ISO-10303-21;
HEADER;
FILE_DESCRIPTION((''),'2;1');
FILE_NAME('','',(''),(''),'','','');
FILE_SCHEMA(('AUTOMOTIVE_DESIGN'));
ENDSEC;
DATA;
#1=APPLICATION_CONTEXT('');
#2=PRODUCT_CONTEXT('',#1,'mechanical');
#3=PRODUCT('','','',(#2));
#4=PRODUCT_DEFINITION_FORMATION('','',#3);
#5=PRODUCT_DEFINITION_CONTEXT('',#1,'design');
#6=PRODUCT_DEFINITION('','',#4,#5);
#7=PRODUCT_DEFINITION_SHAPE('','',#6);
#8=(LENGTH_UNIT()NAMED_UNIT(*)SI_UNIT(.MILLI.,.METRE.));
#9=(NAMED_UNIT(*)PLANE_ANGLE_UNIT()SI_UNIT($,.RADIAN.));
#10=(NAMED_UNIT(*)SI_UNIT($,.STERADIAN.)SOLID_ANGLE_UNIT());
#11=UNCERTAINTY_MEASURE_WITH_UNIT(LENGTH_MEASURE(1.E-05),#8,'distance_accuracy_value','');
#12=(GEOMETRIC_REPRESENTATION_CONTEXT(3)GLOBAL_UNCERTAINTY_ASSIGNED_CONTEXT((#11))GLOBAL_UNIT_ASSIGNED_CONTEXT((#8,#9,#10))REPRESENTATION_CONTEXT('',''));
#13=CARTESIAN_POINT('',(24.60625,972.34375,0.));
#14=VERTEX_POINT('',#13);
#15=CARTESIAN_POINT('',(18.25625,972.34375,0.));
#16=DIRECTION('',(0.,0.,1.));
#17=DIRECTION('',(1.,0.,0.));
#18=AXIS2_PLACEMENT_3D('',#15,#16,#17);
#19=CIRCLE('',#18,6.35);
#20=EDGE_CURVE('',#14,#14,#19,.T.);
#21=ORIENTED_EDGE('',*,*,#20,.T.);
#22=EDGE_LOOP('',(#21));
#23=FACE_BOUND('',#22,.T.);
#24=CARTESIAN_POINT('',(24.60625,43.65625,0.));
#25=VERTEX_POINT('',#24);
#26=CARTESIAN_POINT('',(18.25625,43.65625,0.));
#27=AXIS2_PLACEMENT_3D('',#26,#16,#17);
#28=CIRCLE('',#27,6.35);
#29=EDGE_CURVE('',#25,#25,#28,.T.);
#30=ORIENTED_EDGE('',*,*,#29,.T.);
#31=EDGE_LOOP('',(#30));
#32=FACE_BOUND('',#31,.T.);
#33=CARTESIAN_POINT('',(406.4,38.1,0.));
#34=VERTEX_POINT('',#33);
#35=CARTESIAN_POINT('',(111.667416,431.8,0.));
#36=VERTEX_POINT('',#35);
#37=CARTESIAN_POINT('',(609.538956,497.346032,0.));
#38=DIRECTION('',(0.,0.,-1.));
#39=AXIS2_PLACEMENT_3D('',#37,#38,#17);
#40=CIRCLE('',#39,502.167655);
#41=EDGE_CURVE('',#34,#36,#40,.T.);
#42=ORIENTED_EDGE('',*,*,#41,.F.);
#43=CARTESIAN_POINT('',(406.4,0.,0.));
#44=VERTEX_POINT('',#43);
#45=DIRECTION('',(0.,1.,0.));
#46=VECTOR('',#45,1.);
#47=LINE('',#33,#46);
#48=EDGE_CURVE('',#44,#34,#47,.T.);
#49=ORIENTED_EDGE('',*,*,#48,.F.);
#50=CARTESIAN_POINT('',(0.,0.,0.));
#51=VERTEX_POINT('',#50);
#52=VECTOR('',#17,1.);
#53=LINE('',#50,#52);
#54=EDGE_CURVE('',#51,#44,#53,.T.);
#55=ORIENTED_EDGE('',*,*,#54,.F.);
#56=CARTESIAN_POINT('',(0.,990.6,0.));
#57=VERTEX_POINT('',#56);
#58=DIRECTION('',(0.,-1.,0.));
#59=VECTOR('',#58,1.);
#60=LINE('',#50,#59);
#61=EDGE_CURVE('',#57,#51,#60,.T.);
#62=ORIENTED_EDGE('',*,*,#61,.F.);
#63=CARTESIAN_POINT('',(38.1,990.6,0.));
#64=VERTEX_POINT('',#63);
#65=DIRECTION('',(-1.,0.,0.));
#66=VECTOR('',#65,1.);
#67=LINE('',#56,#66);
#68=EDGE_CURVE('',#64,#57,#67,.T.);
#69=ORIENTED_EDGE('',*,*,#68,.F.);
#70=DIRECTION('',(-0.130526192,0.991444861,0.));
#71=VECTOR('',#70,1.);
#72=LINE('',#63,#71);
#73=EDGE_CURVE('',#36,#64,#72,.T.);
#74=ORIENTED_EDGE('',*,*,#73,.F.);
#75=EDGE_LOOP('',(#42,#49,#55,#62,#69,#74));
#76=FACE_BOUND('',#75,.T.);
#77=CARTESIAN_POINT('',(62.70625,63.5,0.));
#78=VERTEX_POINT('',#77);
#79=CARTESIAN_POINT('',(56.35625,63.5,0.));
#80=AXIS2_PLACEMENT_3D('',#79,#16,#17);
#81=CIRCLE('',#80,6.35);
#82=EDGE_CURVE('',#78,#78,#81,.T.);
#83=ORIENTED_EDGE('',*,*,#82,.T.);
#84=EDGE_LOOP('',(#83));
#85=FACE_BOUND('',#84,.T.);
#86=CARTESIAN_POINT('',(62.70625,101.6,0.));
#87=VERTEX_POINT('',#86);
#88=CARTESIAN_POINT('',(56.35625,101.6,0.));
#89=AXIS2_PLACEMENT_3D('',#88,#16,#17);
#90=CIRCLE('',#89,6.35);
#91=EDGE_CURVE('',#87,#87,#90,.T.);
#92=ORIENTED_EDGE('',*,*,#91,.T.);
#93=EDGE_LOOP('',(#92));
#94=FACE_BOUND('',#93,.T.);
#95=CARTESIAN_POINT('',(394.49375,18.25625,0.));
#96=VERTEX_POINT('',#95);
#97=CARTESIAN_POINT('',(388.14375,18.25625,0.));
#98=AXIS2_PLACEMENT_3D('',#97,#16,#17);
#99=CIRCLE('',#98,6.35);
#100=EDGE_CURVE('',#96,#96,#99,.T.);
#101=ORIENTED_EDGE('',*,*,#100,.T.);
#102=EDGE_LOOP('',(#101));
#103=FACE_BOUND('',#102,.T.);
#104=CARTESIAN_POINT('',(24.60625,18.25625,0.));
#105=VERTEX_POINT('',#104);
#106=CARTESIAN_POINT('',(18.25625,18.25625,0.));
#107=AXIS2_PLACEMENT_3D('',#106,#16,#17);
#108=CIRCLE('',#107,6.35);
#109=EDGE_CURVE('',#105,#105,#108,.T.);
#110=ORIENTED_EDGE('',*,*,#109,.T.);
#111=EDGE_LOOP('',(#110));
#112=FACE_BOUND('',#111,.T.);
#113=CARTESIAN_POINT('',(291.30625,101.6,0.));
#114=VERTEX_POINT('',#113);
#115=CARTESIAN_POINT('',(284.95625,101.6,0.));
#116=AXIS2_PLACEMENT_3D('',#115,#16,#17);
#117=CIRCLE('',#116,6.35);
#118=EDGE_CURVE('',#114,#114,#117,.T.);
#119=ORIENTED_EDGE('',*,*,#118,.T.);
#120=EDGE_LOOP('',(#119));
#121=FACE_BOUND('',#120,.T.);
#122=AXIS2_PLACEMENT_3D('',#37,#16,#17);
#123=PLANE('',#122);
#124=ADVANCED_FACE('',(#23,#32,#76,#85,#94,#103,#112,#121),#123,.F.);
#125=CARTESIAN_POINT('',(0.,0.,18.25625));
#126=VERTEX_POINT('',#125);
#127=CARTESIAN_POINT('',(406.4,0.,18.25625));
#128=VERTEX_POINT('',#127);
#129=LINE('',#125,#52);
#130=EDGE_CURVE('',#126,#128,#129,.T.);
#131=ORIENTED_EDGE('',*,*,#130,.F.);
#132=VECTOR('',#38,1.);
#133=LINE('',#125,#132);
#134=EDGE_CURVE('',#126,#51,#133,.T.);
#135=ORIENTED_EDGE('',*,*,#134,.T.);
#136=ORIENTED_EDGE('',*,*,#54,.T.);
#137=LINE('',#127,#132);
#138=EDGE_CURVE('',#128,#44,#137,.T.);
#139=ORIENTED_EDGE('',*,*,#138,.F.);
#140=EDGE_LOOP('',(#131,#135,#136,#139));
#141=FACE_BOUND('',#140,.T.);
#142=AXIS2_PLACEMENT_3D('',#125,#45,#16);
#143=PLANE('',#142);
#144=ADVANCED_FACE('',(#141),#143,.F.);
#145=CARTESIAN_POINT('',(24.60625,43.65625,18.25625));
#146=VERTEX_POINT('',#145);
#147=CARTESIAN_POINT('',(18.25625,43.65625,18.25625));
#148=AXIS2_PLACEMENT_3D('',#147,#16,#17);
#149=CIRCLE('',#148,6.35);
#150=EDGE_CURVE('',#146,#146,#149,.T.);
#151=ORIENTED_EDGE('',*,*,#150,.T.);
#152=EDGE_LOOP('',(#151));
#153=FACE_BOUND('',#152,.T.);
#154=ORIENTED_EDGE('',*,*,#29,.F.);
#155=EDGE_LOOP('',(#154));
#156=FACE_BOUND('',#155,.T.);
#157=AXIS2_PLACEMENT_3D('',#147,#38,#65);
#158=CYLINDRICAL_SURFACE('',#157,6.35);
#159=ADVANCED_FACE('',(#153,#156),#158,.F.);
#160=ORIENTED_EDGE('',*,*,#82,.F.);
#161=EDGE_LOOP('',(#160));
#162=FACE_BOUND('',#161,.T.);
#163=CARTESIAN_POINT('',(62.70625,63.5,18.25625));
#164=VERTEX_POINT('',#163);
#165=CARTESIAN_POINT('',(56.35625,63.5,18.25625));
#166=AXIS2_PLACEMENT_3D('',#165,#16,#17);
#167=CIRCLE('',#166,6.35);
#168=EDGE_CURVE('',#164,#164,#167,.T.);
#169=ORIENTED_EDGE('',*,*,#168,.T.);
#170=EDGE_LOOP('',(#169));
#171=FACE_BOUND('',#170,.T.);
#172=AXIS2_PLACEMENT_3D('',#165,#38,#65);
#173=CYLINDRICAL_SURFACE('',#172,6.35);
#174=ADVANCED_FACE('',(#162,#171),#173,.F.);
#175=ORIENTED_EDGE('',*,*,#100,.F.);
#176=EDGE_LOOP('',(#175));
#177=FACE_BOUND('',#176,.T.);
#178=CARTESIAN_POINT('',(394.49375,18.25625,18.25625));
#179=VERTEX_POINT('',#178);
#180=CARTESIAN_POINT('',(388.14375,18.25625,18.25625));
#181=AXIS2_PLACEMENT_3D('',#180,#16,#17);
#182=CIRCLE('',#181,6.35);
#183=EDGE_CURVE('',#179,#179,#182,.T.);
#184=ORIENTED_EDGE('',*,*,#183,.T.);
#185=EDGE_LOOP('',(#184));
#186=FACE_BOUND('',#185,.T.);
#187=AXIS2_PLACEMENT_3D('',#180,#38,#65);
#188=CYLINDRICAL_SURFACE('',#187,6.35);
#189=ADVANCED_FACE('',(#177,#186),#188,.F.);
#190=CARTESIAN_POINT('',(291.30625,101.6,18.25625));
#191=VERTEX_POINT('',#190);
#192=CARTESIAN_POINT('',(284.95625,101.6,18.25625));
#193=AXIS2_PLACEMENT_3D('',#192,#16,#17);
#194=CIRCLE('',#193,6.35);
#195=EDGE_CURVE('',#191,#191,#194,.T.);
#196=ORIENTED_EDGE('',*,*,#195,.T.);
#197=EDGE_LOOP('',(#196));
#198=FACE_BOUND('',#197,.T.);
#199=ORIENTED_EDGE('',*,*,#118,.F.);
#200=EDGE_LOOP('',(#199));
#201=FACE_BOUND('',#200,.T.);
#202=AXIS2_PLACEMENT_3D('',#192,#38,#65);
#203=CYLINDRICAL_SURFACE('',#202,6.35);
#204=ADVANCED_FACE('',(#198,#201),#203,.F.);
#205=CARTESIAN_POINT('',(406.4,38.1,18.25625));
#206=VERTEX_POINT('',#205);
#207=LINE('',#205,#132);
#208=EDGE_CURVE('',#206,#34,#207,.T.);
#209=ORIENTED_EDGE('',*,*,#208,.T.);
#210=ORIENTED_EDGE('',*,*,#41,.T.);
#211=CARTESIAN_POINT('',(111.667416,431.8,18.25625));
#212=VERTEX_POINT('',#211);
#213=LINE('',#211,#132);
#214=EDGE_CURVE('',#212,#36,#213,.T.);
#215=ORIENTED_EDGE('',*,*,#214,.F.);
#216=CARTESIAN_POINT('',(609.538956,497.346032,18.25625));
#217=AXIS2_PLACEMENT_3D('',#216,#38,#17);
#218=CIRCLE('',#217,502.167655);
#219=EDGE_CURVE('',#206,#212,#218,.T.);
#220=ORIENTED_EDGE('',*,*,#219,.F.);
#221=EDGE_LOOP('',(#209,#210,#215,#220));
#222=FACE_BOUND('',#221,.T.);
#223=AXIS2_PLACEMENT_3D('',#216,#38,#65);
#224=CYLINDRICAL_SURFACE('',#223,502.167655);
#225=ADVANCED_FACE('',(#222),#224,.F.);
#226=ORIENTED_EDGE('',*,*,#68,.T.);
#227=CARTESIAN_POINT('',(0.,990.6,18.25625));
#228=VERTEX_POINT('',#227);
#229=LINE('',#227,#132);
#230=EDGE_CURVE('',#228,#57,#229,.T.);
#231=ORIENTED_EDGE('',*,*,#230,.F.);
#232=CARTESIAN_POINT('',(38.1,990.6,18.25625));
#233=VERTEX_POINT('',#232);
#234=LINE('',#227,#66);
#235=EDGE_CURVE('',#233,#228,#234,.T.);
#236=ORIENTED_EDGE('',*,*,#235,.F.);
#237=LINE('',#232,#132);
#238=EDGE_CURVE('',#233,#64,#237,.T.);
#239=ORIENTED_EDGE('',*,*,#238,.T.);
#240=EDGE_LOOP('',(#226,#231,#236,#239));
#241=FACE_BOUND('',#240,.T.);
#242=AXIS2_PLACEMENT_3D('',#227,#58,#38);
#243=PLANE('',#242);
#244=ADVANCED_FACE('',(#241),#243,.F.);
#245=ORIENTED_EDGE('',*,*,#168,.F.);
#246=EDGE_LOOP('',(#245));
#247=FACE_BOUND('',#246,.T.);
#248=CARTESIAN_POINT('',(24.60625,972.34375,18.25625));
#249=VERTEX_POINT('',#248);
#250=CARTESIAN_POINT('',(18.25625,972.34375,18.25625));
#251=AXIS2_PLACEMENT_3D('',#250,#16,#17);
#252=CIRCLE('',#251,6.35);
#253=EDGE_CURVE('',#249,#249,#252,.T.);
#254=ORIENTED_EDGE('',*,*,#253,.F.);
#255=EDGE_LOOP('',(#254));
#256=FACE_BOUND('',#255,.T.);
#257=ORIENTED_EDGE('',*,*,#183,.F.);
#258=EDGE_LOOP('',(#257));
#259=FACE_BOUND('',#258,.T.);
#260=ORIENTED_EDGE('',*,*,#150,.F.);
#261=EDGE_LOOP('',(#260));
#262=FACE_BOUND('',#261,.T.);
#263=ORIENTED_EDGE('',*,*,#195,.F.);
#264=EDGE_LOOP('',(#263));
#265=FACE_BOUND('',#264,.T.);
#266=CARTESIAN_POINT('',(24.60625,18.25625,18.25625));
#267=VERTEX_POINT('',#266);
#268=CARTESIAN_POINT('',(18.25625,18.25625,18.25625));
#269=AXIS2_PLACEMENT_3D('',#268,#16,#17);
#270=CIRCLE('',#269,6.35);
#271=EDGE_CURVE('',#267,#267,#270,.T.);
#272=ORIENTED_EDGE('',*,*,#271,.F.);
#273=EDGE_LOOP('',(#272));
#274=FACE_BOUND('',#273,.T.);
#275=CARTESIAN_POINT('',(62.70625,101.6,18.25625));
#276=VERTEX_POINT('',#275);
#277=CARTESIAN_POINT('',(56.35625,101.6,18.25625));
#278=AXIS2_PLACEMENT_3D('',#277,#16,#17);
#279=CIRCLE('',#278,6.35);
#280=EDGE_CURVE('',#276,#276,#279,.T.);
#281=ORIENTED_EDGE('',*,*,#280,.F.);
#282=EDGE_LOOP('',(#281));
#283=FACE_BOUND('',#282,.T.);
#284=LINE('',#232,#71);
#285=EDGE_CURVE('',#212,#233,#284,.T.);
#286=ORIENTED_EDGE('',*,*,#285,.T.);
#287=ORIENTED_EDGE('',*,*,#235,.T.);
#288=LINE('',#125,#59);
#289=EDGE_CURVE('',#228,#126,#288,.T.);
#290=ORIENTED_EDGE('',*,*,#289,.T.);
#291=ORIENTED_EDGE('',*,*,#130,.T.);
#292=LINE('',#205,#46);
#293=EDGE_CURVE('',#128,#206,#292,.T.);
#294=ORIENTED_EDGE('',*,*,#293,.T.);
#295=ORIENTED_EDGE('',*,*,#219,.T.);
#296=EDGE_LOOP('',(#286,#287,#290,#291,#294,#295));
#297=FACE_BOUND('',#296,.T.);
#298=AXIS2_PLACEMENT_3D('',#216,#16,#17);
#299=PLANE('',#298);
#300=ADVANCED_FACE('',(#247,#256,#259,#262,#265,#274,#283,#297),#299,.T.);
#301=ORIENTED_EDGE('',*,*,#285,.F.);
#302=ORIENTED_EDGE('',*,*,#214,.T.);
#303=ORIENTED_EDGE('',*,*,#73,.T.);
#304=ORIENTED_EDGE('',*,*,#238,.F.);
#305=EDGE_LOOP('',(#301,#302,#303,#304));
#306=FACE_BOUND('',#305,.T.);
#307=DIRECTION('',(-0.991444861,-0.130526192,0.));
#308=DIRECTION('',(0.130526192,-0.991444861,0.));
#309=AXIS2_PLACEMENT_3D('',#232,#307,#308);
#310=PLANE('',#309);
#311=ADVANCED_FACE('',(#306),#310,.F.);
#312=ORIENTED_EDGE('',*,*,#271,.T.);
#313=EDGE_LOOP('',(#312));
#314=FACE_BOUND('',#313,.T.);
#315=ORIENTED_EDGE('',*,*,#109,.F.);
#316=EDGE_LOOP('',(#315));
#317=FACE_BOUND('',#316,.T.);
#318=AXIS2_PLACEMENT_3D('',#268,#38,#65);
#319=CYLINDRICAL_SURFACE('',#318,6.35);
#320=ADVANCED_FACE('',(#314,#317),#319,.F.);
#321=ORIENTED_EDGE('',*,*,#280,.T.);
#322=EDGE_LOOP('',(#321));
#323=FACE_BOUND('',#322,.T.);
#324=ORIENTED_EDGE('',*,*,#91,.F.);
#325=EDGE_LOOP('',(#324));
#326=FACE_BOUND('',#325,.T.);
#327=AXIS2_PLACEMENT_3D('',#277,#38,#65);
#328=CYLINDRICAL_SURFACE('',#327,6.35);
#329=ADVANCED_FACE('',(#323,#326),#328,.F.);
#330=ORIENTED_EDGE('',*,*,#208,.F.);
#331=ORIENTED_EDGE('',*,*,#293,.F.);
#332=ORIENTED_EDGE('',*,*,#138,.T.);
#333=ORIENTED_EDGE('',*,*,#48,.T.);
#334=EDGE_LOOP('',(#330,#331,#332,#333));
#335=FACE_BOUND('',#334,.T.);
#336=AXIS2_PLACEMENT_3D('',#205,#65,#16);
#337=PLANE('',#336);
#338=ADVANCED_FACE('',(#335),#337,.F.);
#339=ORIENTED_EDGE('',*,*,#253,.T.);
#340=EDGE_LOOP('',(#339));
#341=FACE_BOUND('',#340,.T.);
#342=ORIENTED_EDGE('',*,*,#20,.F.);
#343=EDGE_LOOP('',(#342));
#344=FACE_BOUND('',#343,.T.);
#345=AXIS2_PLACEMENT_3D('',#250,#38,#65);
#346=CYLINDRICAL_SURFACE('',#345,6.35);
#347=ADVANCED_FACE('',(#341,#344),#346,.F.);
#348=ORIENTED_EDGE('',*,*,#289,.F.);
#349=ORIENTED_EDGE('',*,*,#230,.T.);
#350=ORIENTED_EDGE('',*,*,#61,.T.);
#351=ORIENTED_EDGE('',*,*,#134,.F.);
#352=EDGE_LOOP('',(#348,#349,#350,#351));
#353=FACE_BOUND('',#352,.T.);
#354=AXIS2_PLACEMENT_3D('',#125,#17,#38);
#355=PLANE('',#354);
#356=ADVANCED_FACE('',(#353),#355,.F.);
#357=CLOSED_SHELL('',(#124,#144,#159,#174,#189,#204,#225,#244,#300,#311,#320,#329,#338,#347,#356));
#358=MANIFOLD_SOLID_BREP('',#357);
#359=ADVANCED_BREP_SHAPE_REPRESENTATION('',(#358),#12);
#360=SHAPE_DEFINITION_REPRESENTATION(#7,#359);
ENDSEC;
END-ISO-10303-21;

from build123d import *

# Parameters (mm, degrees)
SKETCH1_R           = 6.35
BOSS_EXTRUDE1_DEPTH = 18.25625


with BuildPart() as part:
    # Sketch1 → Boss-Extrude1 (new body)
    with BuildSketch(Plane.XY):
        with BuildLine():
            Line((0, 0), (406.4, 0))
            Line((406.4, 0), (406.4, 38.1))
            ThreePointArc((406.4, 38.1), (207.539140749, 196.40002074), (111.667415652, 431.8))
            Line((111.667415652, 431.8), (38.1, 990.6))
            Line((38.1, 990.6), (0, 990.6))
            Line((0, 990.6), (0, 0))
        make_face()
        with Locations((18.25625, 18.25625)):
            Circle(SKETCH1_R, mode=Mode.SUBTRACT)
        with Locations((388.14375, 18.25625)):
            Circle(SKETCH1_R, mode=Mode.SUBTRACT)
        with Locations((18.25625, 972.34375)):
            Circle(SKETCH1_R, mode=Mode.SUBTRACT)
        with Locations((56.35625, 101.6)):
            Circle(SKETCH1_R, mode=Mode.SUBTRACT)
        with Locations((284.95625, 101.6)):
            Circle(SKETCH1_R, mode=Mode.SUBTRACT)
        with Locations((18.25625, 43.65625)):
            Circle(SKETCH1_R, mode=Mode.SUBTRACT)
        with Locations((56.35625, 63.5)):
            Circle(SKETCH1_R, mode=Mode.SUBTRACT)
    extrude(amount=BOSS_EXTRUDE1_DEPTH)


solid = part.part
